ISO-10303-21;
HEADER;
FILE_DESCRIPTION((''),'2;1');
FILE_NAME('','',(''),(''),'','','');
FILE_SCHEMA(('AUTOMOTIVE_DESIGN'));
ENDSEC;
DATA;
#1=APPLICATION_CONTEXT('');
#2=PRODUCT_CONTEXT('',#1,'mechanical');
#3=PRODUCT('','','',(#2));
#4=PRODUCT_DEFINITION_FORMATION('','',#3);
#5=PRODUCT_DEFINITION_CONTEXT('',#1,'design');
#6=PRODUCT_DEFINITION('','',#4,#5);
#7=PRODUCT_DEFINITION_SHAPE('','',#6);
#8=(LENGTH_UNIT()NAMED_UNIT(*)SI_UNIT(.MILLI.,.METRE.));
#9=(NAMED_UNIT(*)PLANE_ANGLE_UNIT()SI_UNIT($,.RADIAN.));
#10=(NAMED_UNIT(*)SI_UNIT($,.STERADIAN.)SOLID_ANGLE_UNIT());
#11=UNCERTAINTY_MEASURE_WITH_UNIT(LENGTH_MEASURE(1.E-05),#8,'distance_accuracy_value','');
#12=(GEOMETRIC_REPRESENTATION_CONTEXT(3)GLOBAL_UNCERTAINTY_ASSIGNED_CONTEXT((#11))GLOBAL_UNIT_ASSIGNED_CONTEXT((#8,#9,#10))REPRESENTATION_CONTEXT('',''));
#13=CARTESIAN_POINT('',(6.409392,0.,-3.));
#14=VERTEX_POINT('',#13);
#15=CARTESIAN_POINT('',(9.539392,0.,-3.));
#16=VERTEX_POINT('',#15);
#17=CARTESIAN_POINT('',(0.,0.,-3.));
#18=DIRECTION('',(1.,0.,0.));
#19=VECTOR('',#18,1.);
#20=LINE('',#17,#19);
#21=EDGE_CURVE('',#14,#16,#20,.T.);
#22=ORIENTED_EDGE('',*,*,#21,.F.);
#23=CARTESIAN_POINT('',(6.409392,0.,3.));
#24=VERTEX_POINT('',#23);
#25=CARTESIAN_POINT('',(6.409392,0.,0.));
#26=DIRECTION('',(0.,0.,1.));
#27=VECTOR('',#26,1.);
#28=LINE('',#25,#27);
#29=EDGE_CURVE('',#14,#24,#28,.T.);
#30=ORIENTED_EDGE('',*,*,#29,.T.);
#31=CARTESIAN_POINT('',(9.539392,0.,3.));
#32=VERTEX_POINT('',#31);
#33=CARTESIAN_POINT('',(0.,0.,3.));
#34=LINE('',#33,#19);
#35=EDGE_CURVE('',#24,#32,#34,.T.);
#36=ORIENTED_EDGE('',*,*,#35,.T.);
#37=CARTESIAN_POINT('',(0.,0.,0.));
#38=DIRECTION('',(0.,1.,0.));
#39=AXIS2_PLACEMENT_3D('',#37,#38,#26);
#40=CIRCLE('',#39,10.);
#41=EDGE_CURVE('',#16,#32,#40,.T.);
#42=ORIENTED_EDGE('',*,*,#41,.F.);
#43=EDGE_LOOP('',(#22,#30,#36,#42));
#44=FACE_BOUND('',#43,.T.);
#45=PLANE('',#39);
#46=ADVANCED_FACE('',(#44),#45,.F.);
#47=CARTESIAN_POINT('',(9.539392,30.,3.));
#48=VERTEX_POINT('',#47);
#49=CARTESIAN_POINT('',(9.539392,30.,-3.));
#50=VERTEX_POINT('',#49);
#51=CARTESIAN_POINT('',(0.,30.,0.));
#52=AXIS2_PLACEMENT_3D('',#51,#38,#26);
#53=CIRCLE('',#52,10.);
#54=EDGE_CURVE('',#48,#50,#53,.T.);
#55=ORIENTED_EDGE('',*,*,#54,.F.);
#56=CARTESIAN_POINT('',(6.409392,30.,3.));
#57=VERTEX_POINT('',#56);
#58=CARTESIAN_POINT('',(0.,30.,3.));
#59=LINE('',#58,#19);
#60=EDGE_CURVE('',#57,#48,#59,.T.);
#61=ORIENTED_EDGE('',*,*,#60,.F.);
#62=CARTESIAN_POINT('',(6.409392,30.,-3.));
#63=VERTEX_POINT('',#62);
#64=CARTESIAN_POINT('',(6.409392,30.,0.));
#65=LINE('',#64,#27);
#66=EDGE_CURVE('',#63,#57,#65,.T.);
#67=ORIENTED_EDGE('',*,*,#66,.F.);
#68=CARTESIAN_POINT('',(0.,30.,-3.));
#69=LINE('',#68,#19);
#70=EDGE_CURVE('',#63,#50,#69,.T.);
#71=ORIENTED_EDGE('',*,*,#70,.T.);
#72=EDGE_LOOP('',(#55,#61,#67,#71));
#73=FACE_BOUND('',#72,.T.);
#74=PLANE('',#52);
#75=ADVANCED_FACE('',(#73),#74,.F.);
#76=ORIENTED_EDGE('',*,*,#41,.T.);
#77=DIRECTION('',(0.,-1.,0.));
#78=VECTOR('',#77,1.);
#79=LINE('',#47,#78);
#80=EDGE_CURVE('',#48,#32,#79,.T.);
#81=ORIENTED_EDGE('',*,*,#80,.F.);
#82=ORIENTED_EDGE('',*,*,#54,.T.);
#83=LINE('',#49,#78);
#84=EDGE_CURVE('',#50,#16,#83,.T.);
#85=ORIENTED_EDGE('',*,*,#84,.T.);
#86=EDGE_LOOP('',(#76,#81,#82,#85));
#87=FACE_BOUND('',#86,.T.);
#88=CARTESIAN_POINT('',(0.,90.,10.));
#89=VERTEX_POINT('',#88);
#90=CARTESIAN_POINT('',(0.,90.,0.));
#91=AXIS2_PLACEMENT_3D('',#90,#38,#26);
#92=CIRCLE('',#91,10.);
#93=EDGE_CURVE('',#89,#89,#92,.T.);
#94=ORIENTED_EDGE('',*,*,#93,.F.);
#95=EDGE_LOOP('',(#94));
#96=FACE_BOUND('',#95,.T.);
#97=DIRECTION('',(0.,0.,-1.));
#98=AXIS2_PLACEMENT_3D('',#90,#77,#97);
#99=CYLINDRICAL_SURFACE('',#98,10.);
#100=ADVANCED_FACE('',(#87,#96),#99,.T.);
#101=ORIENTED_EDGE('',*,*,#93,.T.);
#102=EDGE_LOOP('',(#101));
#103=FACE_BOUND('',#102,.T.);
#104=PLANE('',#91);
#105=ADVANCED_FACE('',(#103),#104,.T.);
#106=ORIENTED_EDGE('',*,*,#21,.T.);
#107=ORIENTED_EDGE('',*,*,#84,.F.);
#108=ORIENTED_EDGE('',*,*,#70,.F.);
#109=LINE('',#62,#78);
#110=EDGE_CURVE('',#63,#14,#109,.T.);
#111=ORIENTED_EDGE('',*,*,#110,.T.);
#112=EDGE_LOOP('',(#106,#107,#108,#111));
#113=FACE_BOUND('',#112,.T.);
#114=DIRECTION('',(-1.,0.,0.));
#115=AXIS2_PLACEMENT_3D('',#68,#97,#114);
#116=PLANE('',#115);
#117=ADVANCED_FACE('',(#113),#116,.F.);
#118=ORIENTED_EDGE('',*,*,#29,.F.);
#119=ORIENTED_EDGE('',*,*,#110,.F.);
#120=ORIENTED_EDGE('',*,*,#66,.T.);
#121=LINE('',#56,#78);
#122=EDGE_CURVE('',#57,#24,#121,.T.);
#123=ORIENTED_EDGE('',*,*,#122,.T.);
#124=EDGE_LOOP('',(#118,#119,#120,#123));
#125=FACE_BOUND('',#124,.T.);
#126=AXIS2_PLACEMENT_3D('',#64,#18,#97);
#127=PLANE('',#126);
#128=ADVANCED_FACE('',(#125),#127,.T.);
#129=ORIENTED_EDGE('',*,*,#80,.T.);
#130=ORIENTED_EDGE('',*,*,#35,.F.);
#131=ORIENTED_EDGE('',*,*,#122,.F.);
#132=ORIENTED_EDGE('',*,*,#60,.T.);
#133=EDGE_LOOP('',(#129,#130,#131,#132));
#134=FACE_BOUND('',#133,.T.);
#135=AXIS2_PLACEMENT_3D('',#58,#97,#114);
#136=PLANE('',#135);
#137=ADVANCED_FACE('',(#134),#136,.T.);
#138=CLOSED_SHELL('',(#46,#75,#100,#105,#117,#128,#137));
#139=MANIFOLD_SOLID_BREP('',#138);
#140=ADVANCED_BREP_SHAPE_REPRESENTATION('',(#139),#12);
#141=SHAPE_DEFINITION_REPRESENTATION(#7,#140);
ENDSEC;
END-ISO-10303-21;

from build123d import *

# Parameters (mm, degrees)
SKETCH1_R           = 10
BOSS_EXTRUDE1_DEPTH = 90
CUT_EXTRUDE1_DEPTH  = 30


with BuildPart() as part:
    # Sketch1 → Boss-Extrude1 (new body)
    with BuildSketch(Plane(origin=(0, 0, 0), x_dir=(1, 0, 0), z_dir=(0, 1, 0))):
        Circle(SKETCH1_R)
    extrude(amount=BOSS_EXTRUDE1_DEPTH)

    # Sketch1_3 → Cut-Extrude1 (cut)
    with BuildSketch(Plane(origin=(0, 0, 0), x_dir=(1, 0, 0), z_dir=(0, 1, 0))):
        with BuildLine():
            Line((9.539392014, 3), (6.409392014, 3))
            Line((6.409392014, 3), (6.409392014, -3))
            Line((6.409392014, -3), (9.539392014, -3))
            ThreePointArc((9.539392014, -3), (9.884177258, -1.517576993), (10, 0))
            ThreePointArc((10, 0), (9.884177258, 1.517576993), (9.539392014, 3))
        make_face()
    extrude(amount=CUT_EXTRUDE1_DEPTH, mode=Mode.SUBTRACT)


solid = part.part
